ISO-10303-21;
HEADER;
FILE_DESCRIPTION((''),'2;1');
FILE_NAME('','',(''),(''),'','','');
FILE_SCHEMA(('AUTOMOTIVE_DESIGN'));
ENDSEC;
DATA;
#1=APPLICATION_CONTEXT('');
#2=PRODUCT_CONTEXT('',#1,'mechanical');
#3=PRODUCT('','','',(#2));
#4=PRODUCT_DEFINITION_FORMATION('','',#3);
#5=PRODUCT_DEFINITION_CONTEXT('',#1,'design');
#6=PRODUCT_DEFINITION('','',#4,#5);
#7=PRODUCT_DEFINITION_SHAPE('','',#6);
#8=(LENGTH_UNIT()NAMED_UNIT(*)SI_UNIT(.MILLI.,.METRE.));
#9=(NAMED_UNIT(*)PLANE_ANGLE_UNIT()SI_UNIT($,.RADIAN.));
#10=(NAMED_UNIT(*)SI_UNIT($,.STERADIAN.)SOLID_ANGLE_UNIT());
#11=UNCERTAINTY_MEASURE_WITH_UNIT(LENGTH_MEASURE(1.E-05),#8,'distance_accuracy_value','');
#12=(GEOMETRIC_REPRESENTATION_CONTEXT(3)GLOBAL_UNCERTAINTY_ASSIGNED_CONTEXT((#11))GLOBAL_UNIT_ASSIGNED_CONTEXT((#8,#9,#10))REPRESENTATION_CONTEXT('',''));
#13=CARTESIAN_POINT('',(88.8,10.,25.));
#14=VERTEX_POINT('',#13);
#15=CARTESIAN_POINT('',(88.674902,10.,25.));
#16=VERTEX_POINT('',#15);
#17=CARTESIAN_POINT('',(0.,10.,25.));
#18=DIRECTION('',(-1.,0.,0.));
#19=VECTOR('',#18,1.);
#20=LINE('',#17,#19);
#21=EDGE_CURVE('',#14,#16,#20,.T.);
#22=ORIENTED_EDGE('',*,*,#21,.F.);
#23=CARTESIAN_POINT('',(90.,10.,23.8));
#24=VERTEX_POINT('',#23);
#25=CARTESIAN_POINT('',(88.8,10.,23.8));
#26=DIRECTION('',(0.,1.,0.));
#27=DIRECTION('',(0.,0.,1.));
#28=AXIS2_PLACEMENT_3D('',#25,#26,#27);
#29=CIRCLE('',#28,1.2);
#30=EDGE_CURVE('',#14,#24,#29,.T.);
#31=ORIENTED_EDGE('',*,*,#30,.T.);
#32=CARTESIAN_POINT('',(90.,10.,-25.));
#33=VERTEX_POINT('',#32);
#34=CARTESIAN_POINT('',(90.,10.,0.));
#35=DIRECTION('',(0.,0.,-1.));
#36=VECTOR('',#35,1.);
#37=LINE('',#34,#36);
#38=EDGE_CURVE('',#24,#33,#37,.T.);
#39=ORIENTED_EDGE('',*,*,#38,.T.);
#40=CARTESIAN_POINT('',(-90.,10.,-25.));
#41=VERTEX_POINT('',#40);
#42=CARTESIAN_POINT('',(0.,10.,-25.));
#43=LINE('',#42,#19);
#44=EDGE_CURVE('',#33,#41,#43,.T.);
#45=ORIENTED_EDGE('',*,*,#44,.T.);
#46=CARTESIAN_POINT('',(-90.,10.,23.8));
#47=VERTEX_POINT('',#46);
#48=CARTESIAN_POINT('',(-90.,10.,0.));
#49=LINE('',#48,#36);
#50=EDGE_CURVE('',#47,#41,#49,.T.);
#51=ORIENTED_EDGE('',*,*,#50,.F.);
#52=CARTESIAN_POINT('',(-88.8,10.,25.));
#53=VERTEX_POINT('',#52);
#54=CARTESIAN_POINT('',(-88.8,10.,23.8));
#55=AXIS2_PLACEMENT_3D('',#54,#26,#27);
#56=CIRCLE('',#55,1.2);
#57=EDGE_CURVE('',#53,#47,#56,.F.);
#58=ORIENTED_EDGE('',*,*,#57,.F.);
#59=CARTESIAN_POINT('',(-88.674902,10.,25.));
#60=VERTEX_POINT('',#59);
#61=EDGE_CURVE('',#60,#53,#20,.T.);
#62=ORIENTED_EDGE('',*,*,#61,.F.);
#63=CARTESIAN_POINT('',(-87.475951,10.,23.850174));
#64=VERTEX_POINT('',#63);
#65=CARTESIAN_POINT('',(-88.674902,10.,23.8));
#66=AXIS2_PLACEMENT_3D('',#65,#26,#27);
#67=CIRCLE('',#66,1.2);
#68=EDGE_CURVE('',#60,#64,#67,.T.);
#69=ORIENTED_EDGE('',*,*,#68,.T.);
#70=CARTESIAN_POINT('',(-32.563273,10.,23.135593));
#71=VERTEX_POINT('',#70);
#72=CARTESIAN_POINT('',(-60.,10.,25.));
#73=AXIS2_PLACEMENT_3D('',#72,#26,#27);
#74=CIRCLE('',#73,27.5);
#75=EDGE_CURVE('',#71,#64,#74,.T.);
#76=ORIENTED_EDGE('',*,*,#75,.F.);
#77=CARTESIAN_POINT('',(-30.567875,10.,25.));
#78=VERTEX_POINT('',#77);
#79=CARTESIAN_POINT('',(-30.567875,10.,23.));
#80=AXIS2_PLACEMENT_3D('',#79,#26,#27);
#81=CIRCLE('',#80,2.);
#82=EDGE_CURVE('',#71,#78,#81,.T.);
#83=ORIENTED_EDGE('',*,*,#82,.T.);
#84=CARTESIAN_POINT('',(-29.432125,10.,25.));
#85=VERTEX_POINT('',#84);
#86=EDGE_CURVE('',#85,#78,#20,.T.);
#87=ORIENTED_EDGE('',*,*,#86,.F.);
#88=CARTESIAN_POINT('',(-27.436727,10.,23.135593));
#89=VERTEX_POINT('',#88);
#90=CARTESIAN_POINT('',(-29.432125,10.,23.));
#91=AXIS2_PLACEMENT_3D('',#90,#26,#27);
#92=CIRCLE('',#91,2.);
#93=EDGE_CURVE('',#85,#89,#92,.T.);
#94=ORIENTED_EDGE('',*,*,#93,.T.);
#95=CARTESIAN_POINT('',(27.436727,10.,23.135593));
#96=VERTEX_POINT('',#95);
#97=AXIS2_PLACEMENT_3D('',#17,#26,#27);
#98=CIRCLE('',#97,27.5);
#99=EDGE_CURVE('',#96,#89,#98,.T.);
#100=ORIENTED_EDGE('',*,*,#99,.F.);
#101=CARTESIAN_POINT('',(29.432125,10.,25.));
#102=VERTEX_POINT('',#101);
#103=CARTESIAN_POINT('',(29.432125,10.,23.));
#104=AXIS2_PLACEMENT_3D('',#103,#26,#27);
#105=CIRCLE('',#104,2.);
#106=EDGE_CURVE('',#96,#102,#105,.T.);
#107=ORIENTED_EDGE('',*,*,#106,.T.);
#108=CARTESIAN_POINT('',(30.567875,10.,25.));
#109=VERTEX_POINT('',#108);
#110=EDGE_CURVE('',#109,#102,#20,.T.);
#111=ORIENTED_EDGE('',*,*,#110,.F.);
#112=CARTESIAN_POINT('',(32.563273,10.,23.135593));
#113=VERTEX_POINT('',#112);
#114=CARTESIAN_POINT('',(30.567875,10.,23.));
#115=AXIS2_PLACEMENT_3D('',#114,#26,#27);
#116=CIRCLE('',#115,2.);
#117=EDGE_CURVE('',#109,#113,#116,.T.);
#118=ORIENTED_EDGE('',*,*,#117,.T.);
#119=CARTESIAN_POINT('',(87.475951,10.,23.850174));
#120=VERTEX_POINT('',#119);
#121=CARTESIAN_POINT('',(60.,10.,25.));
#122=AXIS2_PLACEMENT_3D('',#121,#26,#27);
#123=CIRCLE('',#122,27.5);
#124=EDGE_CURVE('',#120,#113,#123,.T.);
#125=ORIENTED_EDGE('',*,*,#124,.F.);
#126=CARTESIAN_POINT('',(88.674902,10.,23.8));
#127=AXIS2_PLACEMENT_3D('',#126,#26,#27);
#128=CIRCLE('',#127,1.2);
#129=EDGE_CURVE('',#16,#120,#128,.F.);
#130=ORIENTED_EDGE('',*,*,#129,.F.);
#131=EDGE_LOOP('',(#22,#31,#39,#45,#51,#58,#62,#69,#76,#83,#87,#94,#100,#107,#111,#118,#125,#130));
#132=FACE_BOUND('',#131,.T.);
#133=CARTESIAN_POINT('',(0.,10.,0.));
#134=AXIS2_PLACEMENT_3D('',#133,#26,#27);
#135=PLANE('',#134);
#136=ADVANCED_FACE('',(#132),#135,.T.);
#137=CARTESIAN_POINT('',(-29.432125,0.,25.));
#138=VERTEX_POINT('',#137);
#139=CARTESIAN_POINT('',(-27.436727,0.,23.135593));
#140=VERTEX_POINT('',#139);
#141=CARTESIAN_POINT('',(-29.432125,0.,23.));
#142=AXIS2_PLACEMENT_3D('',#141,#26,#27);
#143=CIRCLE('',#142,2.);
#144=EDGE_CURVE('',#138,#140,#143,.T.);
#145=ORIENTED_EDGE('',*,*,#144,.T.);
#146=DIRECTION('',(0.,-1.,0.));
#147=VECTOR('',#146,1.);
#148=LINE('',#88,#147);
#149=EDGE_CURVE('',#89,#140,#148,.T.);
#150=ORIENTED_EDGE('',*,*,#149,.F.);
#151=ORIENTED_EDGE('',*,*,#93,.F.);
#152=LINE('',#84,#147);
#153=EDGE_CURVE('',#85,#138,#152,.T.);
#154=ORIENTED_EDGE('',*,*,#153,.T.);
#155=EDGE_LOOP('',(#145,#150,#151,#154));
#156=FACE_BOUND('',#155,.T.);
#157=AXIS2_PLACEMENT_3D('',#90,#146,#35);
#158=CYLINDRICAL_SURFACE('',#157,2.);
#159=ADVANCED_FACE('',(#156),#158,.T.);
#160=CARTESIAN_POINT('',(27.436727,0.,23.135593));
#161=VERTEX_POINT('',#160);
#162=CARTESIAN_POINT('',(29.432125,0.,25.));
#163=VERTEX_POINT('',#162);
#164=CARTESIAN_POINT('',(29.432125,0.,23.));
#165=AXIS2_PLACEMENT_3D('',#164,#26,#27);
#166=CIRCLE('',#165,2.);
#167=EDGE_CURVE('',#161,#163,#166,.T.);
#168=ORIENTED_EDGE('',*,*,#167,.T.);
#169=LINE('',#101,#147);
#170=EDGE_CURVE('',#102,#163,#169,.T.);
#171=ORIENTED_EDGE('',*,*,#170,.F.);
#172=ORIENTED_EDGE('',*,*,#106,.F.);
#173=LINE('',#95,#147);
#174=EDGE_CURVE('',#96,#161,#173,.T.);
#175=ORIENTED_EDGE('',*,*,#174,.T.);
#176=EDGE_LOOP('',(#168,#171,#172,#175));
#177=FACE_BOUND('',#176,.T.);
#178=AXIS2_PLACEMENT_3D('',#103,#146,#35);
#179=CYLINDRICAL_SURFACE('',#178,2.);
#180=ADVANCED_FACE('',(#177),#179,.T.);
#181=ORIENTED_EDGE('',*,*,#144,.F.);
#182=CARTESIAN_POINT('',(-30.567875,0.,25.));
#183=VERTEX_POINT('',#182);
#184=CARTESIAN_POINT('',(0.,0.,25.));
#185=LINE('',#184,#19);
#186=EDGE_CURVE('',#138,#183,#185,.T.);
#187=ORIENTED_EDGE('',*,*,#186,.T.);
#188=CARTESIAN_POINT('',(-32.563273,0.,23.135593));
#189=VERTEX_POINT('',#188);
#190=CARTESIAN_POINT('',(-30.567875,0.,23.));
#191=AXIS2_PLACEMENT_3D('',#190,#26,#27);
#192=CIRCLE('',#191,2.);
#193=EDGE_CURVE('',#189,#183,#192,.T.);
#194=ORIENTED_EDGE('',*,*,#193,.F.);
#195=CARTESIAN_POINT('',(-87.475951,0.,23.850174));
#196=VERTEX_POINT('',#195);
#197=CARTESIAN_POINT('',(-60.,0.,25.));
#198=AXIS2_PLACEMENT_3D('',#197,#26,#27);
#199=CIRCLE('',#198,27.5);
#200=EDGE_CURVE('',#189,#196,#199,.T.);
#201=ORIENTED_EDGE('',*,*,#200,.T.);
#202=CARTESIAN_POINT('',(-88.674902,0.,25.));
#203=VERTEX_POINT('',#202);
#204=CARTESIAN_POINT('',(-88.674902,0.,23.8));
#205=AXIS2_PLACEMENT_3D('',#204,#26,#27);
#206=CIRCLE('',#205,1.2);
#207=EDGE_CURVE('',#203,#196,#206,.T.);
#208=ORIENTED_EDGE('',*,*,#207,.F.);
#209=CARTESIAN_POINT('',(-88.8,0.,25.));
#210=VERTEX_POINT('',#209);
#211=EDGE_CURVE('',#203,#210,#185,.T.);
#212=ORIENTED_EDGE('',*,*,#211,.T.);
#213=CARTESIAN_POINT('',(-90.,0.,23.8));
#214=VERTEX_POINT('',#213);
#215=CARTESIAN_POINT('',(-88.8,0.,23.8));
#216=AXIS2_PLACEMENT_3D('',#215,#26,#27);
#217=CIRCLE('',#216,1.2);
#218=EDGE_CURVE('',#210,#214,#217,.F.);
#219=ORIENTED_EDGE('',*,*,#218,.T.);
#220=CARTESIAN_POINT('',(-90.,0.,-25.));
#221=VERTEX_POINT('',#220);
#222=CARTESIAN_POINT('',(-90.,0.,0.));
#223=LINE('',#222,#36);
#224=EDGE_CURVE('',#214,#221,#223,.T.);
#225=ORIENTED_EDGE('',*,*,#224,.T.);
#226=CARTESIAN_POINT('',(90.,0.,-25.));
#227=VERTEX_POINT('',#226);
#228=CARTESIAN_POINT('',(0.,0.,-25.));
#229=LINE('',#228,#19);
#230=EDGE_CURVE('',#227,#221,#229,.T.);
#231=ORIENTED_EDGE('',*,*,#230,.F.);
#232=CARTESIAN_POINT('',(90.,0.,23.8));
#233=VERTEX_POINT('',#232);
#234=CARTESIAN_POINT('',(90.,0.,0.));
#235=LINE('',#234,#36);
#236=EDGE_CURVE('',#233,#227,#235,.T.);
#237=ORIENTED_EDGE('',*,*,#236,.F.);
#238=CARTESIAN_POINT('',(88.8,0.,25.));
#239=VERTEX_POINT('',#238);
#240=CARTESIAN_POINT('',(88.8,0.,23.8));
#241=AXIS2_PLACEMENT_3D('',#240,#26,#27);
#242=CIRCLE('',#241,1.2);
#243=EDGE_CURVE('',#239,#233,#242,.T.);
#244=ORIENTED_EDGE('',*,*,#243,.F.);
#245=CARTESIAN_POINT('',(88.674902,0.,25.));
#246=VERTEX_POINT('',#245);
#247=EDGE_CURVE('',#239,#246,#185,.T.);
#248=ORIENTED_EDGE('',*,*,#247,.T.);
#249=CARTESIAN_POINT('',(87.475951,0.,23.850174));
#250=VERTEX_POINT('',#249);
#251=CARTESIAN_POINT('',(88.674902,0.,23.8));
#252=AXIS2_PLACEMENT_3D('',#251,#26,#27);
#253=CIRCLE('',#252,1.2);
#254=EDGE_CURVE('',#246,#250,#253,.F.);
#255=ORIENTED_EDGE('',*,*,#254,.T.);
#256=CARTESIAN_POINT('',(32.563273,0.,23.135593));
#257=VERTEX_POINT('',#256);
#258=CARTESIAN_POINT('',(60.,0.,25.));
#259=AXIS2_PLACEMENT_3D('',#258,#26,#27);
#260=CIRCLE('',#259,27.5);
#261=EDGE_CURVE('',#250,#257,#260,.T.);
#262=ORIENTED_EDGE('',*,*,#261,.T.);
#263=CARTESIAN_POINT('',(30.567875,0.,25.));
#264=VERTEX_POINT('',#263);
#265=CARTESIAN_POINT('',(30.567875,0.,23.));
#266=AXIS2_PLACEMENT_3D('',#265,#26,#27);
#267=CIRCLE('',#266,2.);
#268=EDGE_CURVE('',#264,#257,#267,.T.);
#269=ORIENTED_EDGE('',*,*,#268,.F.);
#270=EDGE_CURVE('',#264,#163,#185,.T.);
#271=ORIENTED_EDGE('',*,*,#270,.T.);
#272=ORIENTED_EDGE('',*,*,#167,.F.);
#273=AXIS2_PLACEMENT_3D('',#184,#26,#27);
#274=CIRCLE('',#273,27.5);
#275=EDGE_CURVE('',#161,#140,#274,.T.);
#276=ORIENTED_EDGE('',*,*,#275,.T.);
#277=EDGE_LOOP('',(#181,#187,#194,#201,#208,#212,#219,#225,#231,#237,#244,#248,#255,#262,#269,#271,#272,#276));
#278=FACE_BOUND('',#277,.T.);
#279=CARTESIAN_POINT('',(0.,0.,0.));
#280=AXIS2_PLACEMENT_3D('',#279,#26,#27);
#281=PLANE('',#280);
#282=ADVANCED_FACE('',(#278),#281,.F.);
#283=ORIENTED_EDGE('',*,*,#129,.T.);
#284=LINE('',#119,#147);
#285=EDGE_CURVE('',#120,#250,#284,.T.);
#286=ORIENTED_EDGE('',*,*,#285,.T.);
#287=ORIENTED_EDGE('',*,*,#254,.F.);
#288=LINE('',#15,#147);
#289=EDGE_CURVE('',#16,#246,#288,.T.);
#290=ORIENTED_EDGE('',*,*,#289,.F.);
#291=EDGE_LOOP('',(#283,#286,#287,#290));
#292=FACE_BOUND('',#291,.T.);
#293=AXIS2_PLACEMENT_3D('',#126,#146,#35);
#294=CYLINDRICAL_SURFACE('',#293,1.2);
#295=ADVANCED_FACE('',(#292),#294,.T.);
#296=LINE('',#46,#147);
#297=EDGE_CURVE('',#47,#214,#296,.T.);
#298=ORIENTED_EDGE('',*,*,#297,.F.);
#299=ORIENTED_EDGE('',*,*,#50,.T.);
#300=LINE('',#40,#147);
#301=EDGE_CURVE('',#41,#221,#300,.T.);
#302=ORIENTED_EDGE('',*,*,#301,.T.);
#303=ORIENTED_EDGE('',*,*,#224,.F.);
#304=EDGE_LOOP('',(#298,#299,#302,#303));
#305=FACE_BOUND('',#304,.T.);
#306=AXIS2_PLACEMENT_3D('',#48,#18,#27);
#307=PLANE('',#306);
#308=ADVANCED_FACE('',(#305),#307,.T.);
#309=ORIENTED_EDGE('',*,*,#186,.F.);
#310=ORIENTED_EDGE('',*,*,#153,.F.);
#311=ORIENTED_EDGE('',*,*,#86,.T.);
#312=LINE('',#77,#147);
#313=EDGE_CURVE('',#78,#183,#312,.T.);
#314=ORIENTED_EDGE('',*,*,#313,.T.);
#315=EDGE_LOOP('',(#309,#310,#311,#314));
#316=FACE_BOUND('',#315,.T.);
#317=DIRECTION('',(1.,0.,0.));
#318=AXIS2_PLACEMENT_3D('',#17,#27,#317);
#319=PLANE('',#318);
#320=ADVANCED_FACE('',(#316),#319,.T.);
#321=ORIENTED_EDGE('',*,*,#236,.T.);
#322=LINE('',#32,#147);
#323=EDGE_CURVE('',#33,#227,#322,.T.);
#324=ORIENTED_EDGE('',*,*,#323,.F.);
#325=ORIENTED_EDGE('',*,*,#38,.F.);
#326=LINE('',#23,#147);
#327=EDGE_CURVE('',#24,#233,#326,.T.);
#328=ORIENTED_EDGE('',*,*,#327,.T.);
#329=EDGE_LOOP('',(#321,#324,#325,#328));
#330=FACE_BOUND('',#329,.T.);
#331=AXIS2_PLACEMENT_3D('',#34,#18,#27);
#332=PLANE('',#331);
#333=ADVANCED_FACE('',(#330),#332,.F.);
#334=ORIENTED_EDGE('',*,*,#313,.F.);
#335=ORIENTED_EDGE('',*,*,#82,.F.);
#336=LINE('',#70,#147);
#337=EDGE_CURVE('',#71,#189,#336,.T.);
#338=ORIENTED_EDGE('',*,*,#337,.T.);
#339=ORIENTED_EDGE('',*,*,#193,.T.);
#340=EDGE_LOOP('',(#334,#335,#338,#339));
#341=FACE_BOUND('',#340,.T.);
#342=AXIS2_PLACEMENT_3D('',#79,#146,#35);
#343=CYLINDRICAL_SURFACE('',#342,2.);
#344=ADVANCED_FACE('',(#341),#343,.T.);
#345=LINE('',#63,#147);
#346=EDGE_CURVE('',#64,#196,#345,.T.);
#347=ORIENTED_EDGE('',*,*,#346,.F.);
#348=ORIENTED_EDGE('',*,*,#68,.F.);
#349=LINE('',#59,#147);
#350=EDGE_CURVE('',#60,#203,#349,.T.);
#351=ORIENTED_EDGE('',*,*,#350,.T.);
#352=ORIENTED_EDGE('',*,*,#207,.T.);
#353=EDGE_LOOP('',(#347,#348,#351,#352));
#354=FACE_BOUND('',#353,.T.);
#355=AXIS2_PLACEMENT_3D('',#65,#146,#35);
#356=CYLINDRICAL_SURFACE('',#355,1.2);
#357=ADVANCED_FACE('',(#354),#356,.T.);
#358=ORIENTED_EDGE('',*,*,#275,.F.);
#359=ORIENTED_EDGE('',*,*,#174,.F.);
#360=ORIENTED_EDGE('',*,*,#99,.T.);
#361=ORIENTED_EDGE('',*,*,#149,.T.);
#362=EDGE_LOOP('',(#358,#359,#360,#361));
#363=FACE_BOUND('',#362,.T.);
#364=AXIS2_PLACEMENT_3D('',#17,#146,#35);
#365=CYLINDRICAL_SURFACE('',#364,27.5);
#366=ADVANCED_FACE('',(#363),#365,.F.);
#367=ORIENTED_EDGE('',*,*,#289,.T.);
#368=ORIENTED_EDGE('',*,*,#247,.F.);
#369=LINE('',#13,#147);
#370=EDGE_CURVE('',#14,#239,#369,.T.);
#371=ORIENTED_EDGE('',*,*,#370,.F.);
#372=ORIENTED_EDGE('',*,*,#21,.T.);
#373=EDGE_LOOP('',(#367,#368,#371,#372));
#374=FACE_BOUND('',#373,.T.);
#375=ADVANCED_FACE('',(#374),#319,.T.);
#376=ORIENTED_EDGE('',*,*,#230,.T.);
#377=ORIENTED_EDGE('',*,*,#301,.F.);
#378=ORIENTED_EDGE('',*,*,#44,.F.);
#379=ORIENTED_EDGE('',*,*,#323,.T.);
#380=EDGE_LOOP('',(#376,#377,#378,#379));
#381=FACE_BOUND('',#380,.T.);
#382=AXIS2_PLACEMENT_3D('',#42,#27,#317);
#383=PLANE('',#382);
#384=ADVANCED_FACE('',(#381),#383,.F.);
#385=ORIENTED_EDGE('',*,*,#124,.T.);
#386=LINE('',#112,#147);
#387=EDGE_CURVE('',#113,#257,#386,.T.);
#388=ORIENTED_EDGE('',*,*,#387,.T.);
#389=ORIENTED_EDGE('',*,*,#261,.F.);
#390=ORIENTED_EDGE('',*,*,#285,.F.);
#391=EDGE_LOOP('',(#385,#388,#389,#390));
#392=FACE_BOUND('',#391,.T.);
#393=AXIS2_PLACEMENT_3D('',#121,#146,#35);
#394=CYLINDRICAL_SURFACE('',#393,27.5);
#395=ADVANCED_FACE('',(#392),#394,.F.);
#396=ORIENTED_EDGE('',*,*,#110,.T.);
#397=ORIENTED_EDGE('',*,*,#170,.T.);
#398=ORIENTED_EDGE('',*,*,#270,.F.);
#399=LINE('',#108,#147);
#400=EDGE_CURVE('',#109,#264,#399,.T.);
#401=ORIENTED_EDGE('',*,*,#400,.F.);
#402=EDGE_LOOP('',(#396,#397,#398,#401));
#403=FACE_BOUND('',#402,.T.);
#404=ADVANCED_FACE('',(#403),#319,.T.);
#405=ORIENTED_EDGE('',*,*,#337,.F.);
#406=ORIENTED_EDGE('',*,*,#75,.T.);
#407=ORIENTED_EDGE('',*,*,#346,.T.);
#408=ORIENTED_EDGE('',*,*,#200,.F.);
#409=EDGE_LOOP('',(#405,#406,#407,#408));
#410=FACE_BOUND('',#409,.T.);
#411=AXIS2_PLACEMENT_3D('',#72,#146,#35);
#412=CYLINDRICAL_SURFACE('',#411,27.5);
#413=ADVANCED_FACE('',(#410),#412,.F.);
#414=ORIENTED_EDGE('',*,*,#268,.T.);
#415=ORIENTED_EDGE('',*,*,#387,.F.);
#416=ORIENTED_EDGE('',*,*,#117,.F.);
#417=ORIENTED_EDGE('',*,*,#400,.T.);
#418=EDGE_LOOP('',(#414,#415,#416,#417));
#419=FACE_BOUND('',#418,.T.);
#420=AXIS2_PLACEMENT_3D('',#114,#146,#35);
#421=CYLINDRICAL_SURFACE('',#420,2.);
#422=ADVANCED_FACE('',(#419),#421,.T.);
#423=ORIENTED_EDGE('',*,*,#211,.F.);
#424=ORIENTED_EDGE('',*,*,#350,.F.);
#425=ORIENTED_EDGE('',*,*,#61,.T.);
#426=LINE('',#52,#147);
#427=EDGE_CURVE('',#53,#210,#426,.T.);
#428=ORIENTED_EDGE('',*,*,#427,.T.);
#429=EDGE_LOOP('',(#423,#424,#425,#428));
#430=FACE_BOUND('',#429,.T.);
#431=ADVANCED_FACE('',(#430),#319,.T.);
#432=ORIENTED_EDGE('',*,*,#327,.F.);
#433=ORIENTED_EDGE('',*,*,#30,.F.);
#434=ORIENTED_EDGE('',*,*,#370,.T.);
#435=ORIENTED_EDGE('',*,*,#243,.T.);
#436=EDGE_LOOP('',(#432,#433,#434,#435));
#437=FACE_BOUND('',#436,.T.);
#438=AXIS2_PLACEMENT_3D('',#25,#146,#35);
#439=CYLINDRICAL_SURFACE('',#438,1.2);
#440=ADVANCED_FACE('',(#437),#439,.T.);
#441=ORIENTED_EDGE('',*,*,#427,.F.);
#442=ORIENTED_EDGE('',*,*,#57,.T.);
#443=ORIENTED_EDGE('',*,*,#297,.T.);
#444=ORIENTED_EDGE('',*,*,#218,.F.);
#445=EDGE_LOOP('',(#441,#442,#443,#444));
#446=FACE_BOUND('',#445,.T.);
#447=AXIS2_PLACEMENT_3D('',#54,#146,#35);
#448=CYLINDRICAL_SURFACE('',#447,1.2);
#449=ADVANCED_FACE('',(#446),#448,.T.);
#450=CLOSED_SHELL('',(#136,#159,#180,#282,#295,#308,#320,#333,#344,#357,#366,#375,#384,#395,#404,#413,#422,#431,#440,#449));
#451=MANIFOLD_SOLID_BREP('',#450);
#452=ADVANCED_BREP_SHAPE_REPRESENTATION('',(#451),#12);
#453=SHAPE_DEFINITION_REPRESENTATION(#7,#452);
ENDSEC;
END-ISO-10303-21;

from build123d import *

# Parameters (mm, degrees)
BOSS_EXTRU_1_DEPTH = 10


with BuildPart() as part:
    # Esquisse1 → Boss.-Extru.1 (new body)
    with BuildSketch(Plane(origin=(0, 0, 0), x_dir=(1, 0, 0), z_dir=(0, 1, 0))):
        with BuildLine():
            Line((-88.674901918, -25), (-88.8, -25))
            ThreePointArc((-88.8, -25), (-89.648528137, -24.648528137), (-90, -23.8))
            Line((-90, -23.8), (-90, 25))
            Line((-90, 25), (90, 25))
            Line((90, 25), (90, -23.8))
            ThreePointArc((90, -23.8), (89.648528137, -24.648528137), (88.8, -25))
            Line((88.8, -25), (88.674901918, -25))
            ThreePointArc((88.674901918, -25), (87.844302453, -24.666085752), (87.475951315, -23.850174216))
            ThreePointArc((87.475951315, -23.850174216), (60.357828362, 2.497671881), (32.56327302, -23.13559322))
            ThreePointArc((32.56327302, -23.13559322), (31.933307512, -24.461366901), (30.567874694, -25))
            Line((30.567874694, -25), (29.432125306, -25))
            ThreePointArc((29.432125306, -25), (28.066692488, -24.461366901), (27.43672698, -23.13559322))
            ThreePointArc((27.43672698, -23.13559322), (0, 2.5), (-27.43672698, -23.13559322))
            ThreePointArc((-27.43672698, -23.13559322), (-28.066692488, -24.461366901), (-29.432125306, -25))
            Line((-29.432125306, -25), (-30.567874694, -25))
            ThreePointArc((-30.567874694, -25), (-31.933307512, -24.461366901), (-32.56327302, -23.13559322))
            ThreePointArc((-32.56327302, -23.13559322), (-60.357828362, 2.497671881), (-87.475951315, -23.850174216))
            ThreePointArc((-87.475951315, -23.850174216), (-87.844302453, -24.666085752), (-88.674901918, -25))
        make_face()
    extrude(amount=BOSS_EXTRU_1_DEPTH)


solid = part.part
